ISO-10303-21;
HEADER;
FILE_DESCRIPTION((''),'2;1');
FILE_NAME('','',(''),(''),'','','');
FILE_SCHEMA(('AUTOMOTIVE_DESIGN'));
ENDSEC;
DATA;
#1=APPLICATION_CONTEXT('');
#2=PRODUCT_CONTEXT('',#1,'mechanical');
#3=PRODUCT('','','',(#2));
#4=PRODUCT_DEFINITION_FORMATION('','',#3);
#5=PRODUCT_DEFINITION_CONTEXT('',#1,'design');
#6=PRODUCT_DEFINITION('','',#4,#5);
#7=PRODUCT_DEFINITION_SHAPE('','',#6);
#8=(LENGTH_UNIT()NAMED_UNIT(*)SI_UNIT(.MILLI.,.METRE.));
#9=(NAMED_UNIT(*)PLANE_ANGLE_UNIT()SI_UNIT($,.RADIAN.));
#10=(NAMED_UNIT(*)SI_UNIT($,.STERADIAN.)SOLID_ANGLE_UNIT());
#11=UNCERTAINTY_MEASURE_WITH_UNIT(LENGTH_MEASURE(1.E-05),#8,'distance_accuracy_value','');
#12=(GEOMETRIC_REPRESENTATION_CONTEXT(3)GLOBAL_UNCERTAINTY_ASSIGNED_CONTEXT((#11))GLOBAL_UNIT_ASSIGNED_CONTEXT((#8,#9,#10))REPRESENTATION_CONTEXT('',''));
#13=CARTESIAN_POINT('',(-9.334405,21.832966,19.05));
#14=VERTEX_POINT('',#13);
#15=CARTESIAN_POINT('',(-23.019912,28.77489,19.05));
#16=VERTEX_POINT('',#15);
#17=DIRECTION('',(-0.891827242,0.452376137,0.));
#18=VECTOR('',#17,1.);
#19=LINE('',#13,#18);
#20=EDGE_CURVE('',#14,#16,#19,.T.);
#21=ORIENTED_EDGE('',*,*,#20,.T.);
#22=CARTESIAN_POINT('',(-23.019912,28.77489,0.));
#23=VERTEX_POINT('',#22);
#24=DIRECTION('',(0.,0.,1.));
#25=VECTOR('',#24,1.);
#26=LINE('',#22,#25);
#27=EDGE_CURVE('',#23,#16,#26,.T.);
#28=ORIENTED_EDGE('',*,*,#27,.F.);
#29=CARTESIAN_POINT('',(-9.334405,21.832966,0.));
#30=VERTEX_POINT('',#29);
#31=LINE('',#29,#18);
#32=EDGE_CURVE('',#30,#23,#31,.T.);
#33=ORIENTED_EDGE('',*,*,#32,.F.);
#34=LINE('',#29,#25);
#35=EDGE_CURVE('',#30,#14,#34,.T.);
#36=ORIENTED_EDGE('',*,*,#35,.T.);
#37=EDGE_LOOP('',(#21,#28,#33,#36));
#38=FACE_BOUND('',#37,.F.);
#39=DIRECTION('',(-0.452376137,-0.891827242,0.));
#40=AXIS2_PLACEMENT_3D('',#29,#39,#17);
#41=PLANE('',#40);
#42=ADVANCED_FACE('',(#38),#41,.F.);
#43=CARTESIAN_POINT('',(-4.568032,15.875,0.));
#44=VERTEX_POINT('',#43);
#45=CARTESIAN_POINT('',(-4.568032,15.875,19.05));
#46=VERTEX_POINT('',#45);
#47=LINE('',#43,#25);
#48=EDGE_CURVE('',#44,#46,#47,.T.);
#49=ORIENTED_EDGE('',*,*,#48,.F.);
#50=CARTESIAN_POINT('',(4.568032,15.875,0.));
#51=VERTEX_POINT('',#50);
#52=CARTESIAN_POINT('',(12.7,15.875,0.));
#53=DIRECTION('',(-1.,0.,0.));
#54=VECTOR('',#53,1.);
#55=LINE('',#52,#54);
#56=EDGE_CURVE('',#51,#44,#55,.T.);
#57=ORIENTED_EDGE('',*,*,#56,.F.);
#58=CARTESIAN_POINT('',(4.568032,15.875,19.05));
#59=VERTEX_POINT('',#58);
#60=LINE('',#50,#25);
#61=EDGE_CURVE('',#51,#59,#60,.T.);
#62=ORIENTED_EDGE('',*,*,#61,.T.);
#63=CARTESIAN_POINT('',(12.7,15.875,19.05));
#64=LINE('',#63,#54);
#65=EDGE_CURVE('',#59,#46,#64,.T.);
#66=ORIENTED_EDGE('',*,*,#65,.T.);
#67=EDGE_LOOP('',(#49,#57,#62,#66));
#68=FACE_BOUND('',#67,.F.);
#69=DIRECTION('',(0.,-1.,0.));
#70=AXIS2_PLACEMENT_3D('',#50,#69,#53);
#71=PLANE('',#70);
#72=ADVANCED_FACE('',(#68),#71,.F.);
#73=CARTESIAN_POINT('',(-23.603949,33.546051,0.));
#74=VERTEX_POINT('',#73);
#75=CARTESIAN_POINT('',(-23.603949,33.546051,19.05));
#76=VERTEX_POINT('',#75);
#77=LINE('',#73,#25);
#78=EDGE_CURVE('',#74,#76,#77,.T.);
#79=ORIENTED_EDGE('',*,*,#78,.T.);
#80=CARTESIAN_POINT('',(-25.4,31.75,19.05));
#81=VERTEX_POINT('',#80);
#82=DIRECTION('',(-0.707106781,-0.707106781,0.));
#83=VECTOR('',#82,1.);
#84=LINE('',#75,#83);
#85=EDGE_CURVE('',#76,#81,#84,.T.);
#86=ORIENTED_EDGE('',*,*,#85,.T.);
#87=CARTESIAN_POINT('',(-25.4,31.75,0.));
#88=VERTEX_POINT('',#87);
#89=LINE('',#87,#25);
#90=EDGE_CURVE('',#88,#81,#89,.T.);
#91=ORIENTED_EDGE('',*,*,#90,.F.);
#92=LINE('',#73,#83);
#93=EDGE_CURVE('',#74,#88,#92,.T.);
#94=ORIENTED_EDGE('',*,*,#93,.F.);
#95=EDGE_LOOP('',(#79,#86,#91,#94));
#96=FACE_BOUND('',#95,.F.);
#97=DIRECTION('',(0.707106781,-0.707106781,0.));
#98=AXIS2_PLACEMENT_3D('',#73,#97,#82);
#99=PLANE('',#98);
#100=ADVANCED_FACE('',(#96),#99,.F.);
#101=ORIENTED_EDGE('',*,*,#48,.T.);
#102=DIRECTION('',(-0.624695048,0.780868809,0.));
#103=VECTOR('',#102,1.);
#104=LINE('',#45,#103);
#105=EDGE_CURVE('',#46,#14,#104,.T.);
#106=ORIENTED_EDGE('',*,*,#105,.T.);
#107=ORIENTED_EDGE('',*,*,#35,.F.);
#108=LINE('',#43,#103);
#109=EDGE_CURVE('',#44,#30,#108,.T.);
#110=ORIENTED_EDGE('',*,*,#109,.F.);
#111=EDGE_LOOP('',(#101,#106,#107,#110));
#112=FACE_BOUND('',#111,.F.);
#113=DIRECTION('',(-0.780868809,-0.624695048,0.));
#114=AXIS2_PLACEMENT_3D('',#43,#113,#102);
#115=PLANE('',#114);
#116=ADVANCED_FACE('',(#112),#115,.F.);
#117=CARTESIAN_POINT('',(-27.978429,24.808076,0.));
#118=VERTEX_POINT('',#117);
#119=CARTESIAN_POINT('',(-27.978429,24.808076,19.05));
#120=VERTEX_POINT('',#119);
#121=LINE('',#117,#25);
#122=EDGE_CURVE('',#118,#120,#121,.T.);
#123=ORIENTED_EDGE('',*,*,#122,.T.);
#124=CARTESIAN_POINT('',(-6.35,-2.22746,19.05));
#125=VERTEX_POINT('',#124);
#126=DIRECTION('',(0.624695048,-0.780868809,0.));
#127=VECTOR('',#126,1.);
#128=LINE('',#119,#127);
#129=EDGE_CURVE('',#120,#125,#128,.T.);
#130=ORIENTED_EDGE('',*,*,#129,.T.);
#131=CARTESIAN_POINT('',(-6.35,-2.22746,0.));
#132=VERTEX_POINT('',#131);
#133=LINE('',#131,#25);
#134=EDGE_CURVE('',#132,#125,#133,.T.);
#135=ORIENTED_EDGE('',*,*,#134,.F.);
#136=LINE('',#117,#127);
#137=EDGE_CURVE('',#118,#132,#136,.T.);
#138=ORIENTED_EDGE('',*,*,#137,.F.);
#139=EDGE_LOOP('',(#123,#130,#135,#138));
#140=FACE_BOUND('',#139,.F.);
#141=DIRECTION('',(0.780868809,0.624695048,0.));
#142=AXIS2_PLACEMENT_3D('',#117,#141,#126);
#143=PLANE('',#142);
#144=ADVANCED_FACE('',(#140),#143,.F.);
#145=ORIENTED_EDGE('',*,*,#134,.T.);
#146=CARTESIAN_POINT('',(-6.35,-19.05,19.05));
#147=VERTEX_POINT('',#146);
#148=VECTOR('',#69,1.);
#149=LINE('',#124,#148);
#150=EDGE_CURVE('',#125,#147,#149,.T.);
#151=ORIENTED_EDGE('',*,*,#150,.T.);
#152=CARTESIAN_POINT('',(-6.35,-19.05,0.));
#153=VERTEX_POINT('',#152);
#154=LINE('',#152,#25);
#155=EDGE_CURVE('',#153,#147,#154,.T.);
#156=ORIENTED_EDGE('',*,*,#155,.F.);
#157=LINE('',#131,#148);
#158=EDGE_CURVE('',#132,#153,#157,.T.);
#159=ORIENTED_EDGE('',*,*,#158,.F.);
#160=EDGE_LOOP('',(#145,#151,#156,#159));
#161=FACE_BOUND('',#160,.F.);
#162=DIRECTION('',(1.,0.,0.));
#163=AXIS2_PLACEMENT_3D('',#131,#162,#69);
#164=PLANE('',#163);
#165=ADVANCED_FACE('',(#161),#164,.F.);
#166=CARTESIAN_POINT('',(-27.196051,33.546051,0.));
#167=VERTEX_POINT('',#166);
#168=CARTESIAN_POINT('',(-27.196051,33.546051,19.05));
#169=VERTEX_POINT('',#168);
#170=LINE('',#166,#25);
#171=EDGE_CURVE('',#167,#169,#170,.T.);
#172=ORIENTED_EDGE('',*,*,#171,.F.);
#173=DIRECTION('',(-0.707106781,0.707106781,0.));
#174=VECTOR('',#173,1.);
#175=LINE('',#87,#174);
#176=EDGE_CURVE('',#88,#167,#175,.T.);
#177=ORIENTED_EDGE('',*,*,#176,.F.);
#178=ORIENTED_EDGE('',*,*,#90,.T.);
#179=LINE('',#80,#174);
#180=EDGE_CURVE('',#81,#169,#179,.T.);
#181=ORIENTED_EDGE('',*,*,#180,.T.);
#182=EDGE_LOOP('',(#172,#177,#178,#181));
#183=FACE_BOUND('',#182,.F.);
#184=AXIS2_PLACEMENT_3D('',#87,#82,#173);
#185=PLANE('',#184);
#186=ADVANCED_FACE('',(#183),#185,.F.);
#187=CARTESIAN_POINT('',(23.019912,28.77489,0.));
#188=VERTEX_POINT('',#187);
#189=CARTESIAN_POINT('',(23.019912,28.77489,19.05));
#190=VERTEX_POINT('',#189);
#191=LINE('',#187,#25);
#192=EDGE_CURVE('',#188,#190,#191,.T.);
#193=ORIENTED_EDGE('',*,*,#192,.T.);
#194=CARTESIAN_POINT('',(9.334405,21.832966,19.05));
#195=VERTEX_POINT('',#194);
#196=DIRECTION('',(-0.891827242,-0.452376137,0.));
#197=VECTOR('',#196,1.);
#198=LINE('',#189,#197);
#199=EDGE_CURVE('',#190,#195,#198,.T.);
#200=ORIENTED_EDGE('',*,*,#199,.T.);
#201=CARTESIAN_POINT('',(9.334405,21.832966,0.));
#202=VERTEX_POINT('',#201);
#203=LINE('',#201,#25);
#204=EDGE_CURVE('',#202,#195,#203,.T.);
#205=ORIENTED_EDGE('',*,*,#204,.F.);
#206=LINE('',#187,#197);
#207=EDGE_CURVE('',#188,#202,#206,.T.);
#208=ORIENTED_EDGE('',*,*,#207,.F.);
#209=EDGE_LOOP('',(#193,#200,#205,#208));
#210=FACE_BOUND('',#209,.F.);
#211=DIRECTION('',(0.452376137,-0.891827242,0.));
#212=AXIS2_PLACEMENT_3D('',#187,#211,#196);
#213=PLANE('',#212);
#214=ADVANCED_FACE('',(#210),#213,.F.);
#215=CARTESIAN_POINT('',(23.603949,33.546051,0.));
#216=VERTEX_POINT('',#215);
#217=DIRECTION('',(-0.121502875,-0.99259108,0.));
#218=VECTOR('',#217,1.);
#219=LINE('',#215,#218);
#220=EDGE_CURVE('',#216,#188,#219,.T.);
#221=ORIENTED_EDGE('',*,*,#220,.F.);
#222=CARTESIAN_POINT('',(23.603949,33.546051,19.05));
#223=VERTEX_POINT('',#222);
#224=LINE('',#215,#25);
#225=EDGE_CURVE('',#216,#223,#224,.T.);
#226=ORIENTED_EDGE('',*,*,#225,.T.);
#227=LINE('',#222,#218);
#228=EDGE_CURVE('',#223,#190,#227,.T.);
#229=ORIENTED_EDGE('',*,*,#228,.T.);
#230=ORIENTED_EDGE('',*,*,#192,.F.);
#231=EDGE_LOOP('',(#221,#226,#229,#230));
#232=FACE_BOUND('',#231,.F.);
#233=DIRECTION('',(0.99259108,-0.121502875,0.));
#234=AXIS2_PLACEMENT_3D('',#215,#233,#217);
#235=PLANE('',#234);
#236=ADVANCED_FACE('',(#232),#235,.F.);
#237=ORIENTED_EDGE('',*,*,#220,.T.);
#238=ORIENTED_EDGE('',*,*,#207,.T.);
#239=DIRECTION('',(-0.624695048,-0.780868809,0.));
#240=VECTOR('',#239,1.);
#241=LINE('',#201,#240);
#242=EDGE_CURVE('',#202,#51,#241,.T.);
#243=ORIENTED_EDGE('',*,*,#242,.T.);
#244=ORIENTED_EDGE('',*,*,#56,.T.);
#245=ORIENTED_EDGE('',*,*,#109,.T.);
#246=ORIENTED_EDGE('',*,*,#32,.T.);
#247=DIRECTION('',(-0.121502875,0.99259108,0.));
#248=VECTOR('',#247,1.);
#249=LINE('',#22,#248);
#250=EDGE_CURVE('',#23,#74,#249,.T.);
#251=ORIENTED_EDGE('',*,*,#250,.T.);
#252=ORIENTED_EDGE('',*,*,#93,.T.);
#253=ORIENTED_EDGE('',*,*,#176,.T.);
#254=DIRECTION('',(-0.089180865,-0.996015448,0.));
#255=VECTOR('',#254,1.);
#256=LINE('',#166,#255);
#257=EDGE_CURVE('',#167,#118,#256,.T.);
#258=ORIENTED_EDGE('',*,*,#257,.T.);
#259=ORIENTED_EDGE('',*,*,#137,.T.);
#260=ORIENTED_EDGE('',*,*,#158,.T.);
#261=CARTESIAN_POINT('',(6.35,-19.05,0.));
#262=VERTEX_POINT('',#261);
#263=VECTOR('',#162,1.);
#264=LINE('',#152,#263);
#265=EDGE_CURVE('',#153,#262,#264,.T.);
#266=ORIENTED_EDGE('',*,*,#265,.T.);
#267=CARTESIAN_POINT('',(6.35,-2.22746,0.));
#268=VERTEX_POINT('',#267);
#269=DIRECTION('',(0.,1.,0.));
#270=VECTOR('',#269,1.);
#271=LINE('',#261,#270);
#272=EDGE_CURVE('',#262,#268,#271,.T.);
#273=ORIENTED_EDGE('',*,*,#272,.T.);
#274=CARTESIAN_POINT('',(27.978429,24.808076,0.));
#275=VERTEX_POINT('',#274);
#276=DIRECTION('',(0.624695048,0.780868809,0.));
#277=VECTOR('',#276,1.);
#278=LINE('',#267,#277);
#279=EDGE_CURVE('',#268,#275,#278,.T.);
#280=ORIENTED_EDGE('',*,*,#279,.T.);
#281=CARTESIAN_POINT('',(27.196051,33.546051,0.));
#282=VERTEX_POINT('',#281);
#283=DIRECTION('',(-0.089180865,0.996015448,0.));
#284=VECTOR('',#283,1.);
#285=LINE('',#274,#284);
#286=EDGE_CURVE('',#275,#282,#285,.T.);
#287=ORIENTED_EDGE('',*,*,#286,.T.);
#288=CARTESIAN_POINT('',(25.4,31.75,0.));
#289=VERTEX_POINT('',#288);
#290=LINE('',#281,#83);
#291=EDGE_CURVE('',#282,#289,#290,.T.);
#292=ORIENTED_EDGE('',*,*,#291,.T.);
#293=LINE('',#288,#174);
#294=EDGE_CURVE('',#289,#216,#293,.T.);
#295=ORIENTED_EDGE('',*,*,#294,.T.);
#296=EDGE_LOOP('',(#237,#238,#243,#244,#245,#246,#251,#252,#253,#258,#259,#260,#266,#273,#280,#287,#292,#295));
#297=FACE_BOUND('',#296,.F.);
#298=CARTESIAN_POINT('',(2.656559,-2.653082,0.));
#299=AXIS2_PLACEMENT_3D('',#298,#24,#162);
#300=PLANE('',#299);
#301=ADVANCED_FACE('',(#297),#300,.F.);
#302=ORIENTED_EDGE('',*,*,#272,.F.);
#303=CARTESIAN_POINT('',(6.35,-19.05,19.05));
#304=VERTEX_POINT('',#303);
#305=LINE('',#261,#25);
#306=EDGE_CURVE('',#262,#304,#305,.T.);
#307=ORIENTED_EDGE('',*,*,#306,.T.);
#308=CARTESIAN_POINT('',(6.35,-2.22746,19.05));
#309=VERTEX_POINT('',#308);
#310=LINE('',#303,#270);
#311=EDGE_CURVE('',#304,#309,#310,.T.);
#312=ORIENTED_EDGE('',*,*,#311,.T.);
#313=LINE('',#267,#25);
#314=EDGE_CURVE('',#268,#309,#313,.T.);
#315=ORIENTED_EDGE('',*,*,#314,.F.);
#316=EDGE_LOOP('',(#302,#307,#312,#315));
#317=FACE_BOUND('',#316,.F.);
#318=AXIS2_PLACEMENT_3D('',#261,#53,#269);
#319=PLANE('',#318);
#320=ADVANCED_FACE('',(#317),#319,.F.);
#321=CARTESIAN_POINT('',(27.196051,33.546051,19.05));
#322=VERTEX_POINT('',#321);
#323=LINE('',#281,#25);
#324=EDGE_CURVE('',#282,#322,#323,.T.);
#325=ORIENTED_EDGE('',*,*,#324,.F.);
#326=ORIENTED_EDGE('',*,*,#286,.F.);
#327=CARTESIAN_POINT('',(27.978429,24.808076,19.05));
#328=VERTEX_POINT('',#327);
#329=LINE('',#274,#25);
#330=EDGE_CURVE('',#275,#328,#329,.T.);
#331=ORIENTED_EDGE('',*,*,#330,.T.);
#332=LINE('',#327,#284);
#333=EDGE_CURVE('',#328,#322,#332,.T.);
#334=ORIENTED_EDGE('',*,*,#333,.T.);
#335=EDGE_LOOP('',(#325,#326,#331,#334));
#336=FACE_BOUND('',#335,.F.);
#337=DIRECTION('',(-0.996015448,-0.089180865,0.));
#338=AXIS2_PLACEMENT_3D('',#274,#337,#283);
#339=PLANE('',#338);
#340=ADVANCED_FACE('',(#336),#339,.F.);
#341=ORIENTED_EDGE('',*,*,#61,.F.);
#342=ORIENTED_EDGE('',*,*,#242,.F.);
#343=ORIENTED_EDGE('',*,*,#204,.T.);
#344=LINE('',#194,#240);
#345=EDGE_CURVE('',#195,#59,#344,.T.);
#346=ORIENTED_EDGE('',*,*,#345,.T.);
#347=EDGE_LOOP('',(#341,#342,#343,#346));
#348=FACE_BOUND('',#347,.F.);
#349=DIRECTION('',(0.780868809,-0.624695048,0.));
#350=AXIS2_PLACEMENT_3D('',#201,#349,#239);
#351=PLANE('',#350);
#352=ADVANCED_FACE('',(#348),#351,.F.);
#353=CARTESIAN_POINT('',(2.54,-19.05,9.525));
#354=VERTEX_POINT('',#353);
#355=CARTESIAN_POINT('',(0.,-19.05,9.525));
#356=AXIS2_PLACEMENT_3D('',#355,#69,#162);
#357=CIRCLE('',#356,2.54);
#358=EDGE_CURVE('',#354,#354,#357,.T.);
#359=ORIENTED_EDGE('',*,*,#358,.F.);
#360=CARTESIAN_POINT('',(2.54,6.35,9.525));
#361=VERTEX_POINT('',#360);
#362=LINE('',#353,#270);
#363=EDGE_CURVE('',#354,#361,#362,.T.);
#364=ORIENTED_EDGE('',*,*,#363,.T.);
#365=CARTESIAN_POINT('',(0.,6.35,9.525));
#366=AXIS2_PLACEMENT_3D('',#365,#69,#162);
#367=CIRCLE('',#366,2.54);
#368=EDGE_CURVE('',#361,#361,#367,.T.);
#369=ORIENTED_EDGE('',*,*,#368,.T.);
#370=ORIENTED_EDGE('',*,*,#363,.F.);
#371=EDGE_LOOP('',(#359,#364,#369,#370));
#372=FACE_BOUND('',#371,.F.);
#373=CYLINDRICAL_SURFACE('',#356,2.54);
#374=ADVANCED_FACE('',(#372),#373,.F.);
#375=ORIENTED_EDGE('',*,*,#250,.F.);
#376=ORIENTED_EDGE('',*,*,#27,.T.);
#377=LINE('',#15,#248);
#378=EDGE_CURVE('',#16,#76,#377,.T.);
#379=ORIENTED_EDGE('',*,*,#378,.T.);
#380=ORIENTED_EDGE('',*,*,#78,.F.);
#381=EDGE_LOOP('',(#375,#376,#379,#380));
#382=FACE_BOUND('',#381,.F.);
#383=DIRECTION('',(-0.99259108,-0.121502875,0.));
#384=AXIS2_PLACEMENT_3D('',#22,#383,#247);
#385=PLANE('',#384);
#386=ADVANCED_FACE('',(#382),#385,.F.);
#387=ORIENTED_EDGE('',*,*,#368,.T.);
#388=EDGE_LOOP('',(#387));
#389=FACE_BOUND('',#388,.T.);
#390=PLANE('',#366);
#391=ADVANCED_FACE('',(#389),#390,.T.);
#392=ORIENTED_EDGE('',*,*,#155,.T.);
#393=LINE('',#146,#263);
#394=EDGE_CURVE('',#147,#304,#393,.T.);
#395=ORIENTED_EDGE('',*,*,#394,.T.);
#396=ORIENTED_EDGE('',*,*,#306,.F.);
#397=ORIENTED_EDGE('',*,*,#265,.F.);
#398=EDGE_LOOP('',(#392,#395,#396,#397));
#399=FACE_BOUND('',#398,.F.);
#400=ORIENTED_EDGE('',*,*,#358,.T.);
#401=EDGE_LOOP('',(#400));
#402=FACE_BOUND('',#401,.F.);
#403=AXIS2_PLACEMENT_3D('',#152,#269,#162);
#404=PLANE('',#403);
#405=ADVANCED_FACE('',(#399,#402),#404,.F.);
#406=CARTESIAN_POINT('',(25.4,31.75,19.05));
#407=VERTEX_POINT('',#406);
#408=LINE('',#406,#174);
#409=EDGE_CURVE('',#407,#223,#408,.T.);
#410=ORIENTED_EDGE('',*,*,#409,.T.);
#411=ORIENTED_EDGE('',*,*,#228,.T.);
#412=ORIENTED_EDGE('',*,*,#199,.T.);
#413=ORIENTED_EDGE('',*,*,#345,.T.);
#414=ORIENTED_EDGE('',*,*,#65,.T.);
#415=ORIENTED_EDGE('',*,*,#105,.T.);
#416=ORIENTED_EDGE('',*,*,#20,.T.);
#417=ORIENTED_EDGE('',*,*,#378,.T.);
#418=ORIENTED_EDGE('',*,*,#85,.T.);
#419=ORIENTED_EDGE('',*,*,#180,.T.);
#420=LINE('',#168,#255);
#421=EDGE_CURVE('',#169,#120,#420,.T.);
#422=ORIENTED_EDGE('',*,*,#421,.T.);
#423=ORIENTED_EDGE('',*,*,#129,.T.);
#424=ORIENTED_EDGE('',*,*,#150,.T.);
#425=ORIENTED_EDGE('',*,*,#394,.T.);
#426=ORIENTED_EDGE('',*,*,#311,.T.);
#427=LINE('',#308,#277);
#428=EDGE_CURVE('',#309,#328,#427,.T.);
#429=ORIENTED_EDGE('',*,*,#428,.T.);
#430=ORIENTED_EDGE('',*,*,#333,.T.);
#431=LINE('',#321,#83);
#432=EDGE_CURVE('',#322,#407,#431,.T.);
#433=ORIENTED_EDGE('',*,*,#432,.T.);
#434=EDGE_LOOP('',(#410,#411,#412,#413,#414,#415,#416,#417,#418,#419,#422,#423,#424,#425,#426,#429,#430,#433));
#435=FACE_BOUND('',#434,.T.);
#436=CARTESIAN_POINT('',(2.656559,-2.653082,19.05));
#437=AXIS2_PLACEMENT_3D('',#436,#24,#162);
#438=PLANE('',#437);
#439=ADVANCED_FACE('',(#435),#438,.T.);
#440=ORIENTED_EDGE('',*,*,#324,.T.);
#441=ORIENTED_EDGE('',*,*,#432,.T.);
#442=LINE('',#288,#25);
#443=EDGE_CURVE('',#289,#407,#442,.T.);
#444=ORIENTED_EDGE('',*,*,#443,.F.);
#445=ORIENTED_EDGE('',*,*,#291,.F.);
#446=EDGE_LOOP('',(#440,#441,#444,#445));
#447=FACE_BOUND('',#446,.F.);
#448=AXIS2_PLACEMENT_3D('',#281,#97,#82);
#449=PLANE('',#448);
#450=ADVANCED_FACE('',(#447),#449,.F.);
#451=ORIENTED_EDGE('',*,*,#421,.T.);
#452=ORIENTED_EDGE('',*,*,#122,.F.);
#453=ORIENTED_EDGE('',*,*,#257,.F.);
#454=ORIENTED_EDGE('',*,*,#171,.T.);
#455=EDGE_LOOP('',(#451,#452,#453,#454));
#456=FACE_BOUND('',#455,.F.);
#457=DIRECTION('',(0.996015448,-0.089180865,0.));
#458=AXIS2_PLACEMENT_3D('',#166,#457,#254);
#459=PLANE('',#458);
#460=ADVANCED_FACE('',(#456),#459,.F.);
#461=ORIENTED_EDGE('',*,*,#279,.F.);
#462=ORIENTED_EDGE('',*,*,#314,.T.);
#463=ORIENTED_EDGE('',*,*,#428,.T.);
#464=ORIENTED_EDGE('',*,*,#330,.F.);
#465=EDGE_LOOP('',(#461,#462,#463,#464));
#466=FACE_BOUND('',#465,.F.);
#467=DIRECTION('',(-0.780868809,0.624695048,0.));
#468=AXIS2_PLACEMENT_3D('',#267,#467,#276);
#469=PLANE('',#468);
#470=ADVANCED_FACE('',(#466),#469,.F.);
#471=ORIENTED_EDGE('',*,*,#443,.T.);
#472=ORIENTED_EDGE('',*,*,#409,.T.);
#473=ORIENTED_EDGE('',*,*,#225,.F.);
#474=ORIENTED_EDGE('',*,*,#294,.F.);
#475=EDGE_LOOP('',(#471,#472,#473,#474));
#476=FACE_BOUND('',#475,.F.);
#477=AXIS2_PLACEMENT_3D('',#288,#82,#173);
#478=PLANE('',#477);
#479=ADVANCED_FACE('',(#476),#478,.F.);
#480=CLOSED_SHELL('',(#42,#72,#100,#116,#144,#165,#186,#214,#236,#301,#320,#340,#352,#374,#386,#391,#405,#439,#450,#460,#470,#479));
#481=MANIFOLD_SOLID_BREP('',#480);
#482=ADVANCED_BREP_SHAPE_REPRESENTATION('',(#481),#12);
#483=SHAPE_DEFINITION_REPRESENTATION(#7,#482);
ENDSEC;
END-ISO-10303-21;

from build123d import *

# Parameters (mm, degrees)
F1_DEPTH = 19.05
F2_R     = 2.54
F3_DEPTH = 25.4


with BuildPart() as f1:
    # F0 (on Top) → F1 (new body)
    with BuildSketch(Plane.XY):
        with BuildLine():
            Line((6.35, 0), (0, 0))
            Line((0, 0), (0, -6.35))
            ThreePointArc((0, -6.35), (2.7507484386, -5.7232755505), (4.95851694, -3.966813552))
            ThreePointArc((4.95851694, -3.966813552), (5.9920398267, -2.1018940781), (6.35, 0))
        make_face()
        with BuildLine():
            Line((0, -6.35), (0, 0))
            Line((0, 0), (-6.35, 0))
            ThreePointArc((-6.35, 0), (-5.9920398267, -2.1018940781), (-4.95851694, -3.966813552))
            ThreePointArc((-4.95851694, -3.966813552), (-2.7507484386, -5.7232755505), (0, -6.35))
        make_face()
        with BuildLine():
            Line((0, 0), (-4.0659838908, 5.0824798635))
            Line((-4.0659838908, 5.0824798635), (-4.95851694, 3.966813552))
            ThreePointArc((-4.95851694, 3.966813552), (-5.9920398267, 2.1018940781), (-6.35, 0))
            Line((-6.35, 0), (0, 0))
        make_face()
        with BuildLine():
            Line((4.0659838908, 5.0824798635), (0, 0))
            Line((0, 0), (6.35, 0))
            ThreePointArc((6.35, 0), (5.9920398267, 2.1018940781), (4.95851694, 3.966813552))
            Line((4.95851694, 3.966813552), (4.0659838908, 5.0824798635))
        make_face()
        Polygon((0, 10.1649597269), (-4.0659838908, 5.0824798635), (0, 0), (4.0659838908, 5.0824798635), align=None)
        with BuildLine():
            Line((-4.0659838908, 5.0824798635), (-12.7, 15.875))
            Line((-12.7, 15.875), (-23.0199118688, 28.774889836))
            Line((-23.0199118688, 28.774889836), (-25.4, 31.75))
            Line((-25.4, 31.75), (-27.1960512242, 33.5460512242))
            Line((-27.1960512242, 33.5460512242), (-27.9784288088, 24.8080762841))
            Line((-27.9784288088, 24.8080762841), (-6.35, -2.2274597269))
            Line((-6.35, -2.2274597269), (-6.35, 0))
            ThreePointArc((-6.35, 0), (-5.9920398267, 2.1018940781), (-4.95851694, 3.966813552))
            Line((-4.95851694, 3.966813552), (-4.0659838908, 5.0824798635))
        make_face()
        Polygon((-4.5680322185, 15.875), (-12.7, 15.875), (-4.0659838908, 5.0824798635), (0, 10.1649597269), align=None)
        Polygon((4.5680322185, 15.875), (0, 10.1649597269), (4.0659838908, 5.0824798635), (12.7, 15.875), align=None)
        Polygon((4.5680322185, 15.875), (-4.5680322185, 15.875), (0, 10.1649597269), align=None)
        with BuildLine():
            Line((12.7, 15.875), (4.0659838908, 5.0824798635))
            Line((4.0659838908, 5.0824798635), (4.95851694, 3.966813552))
            ThreePointArc((4.95851694, 3.966813552), (5.9920398267, 2.1018940781), (6.35, 0))
            Line((6.35, 0), (6.35, -2.2274597269))
            Line((6.35, -2.2274597269), (27.9784288088, 24.8080762841))
            Line((27.9784288088, 24.8080762841), (27.1960512242, 33.5460512242))
            Line((27.1960512242, 33.5460512242), (25.4, 31.75))
            Line((25.4, 31.75), (23.0199118688, 28.774889836))
            Line((23.0199118688, 28.774889836), (12.7, 15.875))
        make_face()
        Polygon((9.3344051145, 21.8329661201), (4.5680322185, 15.875), (12.7, 15.875), (23.0199118688, 28.774889836), align=None)
        Polygon((-23.0199118688, 28.774889836), (-12.7, 15.875), (-4.5680322185, 15.875), (-9.3344051145, 21.8329661201), align=None)
        Polygon((23.6039487758, 33.5460512242), (23.0199118688, 28.774889836), (25.4, 31.75), align=None)
        Polygon((-25.4, 31.75), (-23.0199118688, 28.774889836), (-23.6039487758, 33.5460512242), align=None)
        with BuildLine():
            ThreePointArc((-4.95851694, -3.966813552), (-5.9920398267, -2.1018940781), (-6.35, 0))
            Line((-6.35, 0), (-6.35, -2.2274597269))
            Line((-6.35, -2.2274597269), (-4.95851694, -3.966813552))
        make_face()
        with BuildLine():
            Line((6.35, -2.2274597269), (6.35, 0))
            ThreePointArc((6.35, 0), (5.9920398267, -2.1018940781), (4.95851694, -3.966813552))
            Line((4.95851694, -3.966813552), (6.35, -2.2274597269))
        make_face()
        with BuildLine():
            ThreePointArc((4.95851694, -3.966813552), (2.7507484386, -5.7232755505), (0, -6.35))
            Line((0, -6.35), (0, -19.05))
            Line((0, -19.05), (6.35, -19.05))
            Line((6.35, -19.05), (6.35, -2.2274597269))
            Line((6.35, -2.2274597269), (4.95851694, -3.966813552))
        make_face()
        with BuildLine():
            Line((0, -19.05), (0, -6.35))
            ThreePointArc((0, -6.35), (-2.7507484386, -5.7232755505), (-4.95851694, -3.966813552))
            Line((-4.95851694, -3.966813552), (-6.35, -2.2274597269))
            Line((-6.35, -2.2274597269), (-6.35, -19.05))
            Line((-6.35, -19.05), (0, -19.05))
        make_face()
    extrude(amount=F1_DEPTH)

    # F2 (on face) → F3 (cut)
    with BuildSketch(Plane.XZ.offset(19.05)):
        with Locations((0, 9.525)):
            Circle(F2_R)
    extrude(amount=-F3_DEPTH, mode=Mode.SUBTRACT)


solid = f1.part
